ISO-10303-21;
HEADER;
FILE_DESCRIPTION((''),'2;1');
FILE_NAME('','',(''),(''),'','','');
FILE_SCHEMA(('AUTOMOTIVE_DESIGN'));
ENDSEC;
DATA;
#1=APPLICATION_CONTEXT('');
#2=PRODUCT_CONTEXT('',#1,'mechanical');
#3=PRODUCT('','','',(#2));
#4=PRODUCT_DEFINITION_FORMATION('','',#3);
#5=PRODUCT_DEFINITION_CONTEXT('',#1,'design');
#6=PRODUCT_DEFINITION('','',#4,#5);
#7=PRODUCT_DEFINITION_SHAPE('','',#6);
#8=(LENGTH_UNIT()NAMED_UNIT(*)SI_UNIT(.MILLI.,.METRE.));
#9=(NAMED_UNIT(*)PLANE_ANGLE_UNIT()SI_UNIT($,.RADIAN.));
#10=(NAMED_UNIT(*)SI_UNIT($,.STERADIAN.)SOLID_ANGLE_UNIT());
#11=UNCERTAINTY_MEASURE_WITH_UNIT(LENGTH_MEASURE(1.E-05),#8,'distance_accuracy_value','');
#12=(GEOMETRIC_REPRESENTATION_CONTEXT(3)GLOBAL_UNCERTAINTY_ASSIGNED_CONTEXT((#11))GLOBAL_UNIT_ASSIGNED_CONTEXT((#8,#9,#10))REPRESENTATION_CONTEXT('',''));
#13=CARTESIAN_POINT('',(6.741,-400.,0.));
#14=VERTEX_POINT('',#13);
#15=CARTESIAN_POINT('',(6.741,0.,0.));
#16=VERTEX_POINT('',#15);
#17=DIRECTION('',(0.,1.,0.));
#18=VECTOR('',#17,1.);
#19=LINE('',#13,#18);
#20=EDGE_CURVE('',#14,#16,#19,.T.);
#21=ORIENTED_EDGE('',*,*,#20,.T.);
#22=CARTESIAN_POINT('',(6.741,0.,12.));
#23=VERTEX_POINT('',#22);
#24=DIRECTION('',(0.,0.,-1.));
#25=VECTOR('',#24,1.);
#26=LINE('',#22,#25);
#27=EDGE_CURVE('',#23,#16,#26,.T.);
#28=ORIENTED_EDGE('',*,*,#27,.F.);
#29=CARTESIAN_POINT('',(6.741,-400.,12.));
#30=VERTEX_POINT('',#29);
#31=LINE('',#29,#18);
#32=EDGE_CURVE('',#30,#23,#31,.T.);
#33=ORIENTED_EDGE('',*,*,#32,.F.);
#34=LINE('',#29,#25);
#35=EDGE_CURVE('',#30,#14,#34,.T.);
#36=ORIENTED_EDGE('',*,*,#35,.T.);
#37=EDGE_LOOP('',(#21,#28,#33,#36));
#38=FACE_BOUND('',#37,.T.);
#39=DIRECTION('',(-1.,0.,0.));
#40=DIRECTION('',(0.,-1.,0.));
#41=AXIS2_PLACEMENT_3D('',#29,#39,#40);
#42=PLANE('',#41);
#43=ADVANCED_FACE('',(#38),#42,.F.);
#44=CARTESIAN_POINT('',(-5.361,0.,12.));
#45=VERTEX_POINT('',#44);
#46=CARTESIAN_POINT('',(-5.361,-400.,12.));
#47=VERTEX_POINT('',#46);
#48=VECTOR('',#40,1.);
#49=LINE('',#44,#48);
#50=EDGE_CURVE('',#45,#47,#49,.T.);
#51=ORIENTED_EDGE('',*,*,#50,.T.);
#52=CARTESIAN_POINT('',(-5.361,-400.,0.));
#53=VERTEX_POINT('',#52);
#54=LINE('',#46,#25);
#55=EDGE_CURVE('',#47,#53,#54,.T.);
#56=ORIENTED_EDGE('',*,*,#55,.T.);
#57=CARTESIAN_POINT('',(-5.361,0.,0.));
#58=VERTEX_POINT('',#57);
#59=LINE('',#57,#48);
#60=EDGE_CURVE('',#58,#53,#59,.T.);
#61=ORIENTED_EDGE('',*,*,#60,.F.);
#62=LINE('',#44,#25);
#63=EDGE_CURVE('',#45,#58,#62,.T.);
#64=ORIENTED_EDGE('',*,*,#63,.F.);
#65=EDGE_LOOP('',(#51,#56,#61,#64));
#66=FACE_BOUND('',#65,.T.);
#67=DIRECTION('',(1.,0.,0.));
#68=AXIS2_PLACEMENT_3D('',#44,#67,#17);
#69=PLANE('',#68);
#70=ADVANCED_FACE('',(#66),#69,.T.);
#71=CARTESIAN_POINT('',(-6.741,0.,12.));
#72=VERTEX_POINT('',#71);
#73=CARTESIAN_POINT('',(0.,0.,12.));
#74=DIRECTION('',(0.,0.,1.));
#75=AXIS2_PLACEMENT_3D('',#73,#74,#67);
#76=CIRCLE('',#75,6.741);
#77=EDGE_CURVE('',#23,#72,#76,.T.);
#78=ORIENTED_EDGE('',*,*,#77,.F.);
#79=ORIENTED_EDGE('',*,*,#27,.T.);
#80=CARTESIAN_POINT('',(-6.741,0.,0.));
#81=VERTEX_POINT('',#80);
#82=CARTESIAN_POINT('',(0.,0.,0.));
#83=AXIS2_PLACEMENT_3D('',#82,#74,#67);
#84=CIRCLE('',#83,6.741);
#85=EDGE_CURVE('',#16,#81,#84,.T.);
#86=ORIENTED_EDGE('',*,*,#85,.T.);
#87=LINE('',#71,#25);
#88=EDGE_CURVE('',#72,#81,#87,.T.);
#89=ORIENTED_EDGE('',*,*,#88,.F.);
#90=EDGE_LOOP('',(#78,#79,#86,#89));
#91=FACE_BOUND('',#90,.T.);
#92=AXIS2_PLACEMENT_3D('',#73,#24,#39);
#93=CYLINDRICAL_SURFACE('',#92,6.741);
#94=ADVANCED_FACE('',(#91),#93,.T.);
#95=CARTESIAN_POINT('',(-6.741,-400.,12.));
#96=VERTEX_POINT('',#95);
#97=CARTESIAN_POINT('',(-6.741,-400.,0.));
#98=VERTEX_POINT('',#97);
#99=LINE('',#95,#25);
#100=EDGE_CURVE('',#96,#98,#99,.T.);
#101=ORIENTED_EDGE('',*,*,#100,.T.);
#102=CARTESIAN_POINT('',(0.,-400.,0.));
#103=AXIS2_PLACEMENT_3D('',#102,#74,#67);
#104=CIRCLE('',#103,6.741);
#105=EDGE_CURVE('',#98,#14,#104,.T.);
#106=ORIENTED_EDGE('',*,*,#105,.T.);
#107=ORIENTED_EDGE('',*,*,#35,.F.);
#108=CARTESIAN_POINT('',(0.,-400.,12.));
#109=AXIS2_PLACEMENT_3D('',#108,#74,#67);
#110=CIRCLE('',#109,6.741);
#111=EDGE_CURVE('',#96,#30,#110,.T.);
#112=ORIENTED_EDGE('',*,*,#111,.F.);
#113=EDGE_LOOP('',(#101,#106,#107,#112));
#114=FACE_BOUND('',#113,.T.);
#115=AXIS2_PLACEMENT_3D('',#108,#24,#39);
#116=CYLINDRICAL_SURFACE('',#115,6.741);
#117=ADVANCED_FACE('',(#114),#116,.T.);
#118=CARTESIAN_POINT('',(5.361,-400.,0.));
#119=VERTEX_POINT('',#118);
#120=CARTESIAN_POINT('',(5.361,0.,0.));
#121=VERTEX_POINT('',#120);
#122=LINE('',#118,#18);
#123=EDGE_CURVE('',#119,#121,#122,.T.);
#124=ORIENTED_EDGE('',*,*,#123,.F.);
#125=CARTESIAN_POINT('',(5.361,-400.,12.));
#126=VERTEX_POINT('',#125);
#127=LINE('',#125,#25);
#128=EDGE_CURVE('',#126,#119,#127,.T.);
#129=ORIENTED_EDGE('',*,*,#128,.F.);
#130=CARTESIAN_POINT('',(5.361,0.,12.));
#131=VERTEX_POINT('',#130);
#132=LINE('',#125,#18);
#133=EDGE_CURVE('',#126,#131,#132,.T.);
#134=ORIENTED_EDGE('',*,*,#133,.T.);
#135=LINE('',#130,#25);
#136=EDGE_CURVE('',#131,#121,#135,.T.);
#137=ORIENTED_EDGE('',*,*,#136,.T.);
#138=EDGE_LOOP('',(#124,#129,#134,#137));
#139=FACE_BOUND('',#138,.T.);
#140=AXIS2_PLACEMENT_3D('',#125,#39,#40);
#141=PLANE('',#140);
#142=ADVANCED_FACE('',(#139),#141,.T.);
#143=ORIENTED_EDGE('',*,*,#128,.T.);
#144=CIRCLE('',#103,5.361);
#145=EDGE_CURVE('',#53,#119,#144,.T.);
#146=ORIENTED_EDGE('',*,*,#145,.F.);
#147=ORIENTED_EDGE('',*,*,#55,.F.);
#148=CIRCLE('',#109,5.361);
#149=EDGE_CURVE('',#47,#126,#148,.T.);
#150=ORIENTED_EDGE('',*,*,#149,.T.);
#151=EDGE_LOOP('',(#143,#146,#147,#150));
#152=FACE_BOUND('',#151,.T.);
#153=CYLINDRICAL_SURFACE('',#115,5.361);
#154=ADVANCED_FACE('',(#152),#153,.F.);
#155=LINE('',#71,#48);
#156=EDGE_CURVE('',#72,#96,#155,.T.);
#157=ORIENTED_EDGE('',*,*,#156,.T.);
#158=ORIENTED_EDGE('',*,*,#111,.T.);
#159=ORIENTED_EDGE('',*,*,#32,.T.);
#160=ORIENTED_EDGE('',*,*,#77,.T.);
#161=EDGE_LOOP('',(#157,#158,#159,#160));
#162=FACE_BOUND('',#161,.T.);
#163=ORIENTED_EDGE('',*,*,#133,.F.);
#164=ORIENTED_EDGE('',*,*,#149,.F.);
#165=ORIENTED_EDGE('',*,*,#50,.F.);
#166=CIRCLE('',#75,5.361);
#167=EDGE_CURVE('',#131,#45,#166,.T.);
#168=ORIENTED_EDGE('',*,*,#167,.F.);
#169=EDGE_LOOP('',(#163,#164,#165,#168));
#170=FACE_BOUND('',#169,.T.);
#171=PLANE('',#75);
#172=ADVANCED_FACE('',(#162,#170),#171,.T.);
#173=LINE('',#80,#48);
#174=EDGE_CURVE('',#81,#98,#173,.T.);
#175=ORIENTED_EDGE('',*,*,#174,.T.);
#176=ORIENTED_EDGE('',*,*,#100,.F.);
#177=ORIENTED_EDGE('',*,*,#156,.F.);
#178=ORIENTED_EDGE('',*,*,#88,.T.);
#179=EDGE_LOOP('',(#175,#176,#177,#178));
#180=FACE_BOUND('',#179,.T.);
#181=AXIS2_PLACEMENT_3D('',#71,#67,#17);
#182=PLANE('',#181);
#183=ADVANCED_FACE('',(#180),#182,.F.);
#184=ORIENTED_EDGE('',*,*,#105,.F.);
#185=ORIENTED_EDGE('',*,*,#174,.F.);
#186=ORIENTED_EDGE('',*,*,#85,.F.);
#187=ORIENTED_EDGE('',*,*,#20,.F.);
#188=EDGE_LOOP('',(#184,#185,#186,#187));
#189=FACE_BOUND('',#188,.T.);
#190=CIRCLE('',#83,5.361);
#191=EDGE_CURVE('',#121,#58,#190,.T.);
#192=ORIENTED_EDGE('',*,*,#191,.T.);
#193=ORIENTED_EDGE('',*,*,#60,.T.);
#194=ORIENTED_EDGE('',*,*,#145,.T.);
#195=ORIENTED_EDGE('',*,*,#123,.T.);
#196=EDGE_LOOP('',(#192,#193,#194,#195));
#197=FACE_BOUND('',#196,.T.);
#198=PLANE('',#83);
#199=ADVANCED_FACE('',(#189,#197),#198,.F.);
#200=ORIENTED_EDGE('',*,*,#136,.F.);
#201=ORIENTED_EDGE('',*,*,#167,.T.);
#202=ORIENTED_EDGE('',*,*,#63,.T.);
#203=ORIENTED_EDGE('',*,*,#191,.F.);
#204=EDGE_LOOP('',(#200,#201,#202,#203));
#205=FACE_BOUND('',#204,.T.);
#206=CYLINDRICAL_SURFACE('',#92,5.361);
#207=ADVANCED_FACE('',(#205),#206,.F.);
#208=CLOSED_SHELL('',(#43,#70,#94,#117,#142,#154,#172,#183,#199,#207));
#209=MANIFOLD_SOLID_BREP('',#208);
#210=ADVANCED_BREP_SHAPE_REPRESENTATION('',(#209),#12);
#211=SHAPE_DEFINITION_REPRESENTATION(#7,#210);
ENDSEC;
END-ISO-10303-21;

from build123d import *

# Parameters (mm, degrees)
EXTRUDE_THIN1_DEPTH = 12


with BuildPart() as part:
    # Sketch1 → Extrude-Thin1 (new body)
    with BuildSketch(Plane.XY):
        with BuildLine():
            Line((6.741, -400), (6.741, 0))
            ThreePointArc((6.741, 0), (0, 6.741), (-6.741, 0))
            Line((-6.741, 0), (-6.741, -400))
            ThreePointArc((-6.741, -400), (0, -406.741), (6.741, -400))
        make_face()
        with BuildLine():
            Line((5.361, -400), (5.361, 0))
            ThreePointArc((5.361, 0), (0, 5.361), (-5.361, 0))
            Line((-5.361, 0), (-5.361, -400))
            ThreePointArc((-5.361, -400), (0, -405.361), (5.361, -400))
        make_face(mode=Mode.SUBTRACT)
    extrude(amount=EXTRUDE_THIN1_DEPTH)


solid = part.part
